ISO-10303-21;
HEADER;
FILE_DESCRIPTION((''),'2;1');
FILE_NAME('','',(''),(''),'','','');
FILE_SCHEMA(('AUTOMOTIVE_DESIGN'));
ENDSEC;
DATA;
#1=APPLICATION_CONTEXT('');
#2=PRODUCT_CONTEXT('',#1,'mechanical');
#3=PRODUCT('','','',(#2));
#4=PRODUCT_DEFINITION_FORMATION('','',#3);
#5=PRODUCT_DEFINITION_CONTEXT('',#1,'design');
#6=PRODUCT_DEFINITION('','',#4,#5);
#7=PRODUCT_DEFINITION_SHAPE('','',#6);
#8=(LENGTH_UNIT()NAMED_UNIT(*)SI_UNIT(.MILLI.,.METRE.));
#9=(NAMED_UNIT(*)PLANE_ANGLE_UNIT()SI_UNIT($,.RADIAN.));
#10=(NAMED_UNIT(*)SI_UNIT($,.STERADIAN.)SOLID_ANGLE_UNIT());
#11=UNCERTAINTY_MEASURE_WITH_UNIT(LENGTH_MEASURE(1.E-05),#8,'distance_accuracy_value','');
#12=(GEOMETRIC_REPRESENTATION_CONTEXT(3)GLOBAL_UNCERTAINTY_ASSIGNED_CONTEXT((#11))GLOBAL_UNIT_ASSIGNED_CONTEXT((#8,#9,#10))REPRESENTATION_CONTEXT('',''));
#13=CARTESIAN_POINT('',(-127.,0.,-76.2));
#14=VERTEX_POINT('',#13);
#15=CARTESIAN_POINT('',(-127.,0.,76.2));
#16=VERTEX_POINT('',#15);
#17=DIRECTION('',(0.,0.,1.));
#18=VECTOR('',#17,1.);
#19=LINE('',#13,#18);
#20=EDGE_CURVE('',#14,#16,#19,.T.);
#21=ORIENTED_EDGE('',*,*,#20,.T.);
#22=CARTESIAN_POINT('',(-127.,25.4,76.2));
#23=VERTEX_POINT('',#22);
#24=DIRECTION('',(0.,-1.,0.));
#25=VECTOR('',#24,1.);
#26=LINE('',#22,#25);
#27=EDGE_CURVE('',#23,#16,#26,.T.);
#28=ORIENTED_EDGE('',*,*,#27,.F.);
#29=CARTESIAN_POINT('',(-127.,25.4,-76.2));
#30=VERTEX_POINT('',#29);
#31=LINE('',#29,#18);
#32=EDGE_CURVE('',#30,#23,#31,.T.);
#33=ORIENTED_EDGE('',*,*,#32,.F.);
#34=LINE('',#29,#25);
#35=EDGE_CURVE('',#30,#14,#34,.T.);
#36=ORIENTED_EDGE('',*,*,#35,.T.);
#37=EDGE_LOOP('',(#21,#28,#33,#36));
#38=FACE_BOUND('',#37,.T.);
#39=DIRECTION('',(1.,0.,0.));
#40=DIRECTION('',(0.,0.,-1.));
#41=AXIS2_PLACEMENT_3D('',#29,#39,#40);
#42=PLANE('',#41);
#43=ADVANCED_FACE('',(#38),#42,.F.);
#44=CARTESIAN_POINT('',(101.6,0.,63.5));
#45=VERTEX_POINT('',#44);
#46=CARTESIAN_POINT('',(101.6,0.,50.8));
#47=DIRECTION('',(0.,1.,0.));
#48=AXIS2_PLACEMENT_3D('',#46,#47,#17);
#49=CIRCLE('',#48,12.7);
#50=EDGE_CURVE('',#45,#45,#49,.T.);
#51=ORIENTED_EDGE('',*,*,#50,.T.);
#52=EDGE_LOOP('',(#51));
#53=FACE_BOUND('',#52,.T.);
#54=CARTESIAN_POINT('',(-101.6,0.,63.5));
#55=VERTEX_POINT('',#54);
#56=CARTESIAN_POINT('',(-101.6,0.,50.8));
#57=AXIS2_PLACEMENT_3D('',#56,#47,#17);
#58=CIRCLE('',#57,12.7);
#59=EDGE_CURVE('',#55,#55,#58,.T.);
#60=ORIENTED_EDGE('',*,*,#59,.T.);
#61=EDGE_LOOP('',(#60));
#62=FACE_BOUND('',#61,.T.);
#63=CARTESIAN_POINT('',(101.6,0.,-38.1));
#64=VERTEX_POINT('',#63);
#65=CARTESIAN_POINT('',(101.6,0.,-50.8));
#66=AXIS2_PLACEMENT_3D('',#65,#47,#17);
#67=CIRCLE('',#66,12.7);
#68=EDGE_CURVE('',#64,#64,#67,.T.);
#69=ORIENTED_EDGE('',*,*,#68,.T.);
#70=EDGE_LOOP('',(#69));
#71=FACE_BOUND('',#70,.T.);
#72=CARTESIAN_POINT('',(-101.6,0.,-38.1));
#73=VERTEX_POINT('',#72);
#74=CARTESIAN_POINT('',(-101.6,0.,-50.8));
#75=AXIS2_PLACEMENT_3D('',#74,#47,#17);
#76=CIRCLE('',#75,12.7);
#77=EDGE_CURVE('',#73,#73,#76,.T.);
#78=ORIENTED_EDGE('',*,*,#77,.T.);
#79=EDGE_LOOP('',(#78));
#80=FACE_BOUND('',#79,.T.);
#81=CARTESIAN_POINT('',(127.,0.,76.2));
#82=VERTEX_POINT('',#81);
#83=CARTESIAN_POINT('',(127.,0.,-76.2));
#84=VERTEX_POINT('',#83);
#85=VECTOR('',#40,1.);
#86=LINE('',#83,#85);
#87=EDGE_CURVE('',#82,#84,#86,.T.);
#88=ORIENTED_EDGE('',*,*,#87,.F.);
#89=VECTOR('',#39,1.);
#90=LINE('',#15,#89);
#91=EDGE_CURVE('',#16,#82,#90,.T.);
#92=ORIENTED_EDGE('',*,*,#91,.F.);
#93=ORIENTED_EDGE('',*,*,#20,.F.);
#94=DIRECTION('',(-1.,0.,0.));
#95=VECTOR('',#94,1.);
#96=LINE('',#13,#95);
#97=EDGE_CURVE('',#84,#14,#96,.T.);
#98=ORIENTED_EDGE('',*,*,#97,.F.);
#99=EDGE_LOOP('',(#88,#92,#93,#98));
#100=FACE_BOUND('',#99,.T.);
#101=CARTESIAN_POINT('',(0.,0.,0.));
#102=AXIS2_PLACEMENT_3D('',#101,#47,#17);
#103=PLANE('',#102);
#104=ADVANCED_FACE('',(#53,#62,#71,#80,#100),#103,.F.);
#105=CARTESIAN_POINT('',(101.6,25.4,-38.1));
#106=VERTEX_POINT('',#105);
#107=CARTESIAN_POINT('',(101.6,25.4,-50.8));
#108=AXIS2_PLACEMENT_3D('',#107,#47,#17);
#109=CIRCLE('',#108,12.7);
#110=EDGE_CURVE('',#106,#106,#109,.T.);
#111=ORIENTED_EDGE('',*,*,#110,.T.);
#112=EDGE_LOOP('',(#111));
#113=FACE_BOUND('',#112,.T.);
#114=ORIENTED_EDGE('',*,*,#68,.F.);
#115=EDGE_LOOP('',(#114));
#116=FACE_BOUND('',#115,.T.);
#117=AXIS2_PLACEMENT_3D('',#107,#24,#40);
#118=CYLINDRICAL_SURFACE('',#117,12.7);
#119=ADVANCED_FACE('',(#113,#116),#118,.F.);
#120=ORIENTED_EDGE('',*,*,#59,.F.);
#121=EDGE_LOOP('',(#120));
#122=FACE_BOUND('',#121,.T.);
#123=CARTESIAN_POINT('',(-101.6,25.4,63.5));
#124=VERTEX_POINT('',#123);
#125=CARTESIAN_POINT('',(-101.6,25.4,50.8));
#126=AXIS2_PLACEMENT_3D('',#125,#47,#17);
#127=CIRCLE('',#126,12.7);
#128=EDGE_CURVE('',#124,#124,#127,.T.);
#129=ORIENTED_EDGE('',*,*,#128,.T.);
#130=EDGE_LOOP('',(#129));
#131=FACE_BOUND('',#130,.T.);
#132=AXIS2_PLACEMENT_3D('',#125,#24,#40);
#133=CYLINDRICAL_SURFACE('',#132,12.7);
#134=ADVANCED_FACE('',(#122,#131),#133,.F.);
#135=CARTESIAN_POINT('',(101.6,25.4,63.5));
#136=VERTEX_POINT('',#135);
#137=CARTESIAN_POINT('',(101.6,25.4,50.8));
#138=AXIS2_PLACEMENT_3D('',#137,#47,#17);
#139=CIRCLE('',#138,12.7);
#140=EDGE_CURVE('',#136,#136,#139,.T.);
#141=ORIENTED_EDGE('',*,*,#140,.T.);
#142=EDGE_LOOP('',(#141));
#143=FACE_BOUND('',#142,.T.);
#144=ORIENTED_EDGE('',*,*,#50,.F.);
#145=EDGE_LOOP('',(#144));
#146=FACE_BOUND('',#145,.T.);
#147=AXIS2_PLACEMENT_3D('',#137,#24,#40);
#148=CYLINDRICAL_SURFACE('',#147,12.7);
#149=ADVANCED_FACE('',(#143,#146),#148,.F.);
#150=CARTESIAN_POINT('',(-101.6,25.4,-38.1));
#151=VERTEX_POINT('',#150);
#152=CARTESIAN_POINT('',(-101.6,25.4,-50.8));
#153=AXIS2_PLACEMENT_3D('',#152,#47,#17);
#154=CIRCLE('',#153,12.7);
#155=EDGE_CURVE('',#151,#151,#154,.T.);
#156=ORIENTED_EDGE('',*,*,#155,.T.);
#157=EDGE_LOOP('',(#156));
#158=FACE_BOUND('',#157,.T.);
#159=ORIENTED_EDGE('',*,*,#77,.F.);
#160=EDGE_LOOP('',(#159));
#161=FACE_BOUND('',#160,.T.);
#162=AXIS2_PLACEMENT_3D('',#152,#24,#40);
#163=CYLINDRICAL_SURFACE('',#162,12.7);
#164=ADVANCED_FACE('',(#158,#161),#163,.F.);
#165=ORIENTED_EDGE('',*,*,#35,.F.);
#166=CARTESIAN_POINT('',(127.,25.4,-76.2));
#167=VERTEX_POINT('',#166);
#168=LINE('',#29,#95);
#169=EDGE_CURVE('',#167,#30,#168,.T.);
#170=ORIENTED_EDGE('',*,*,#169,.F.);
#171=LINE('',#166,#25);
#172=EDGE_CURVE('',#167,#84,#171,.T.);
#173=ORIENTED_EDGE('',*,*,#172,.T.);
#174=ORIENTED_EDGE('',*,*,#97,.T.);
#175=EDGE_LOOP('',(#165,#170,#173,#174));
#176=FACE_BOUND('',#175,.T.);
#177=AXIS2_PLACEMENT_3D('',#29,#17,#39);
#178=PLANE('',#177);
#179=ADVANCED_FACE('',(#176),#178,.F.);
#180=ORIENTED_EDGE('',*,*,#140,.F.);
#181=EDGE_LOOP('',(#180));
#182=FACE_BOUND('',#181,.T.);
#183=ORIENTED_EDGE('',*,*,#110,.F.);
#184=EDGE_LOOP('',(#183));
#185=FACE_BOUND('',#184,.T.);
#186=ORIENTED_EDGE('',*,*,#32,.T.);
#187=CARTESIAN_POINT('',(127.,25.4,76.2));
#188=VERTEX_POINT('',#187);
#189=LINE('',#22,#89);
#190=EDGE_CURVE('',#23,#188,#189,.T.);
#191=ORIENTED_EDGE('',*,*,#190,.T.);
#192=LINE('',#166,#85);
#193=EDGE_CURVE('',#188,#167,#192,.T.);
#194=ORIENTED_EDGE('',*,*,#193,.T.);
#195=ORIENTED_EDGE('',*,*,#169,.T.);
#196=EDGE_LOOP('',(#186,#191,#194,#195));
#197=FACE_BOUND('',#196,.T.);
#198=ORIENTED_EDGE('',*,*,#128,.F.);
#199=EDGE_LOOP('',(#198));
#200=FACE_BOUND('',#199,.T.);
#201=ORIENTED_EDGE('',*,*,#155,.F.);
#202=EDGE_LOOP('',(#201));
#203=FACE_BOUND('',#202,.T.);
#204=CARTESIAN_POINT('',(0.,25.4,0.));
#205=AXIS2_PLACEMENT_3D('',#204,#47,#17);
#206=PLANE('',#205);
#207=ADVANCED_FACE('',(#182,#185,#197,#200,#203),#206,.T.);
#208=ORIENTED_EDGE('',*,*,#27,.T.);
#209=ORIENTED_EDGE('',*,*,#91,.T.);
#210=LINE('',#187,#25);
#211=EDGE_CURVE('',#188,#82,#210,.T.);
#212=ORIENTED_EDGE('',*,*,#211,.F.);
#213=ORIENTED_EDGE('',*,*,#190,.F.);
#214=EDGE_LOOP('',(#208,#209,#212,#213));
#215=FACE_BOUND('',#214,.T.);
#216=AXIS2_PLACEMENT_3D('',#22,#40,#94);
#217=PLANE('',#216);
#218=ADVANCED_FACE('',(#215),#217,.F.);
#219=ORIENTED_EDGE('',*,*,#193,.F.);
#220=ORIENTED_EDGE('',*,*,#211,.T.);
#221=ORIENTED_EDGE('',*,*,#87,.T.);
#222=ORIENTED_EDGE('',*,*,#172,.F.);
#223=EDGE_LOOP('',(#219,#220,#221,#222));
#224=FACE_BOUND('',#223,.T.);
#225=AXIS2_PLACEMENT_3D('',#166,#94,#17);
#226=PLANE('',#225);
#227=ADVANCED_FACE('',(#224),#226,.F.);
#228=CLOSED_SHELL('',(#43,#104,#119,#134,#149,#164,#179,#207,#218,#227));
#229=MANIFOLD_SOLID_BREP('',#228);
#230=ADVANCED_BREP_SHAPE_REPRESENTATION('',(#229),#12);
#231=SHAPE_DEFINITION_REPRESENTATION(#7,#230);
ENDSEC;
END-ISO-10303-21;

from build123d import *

# Parameters (mm, degrees)
SKETCH1_W           = 254
SKETCH1_H           = 152.4
SKETCH1_R           = 12.7
BOSS_EXTRUDE1_DEPTH = 25.4


with BuildPart() as part:
    # Sketch1 → Boss-Extrude1 (new body)
    with BuildSketch(Plane(origin=(0, 0, 0), x_dir=(1, 0, 0), z_dir=(0, 1, 0))):
        Rectangle(SKETCH1_W, SKETCH1_H)
        with Locations(Location((-101.6, 50.8, 0), (0, 0, 270))):
            Circle(SKETCH1_R, mode=Mode.SUBTRACT)
        with Locations(Location((101.6, 50.8, 0), (0, 0, 270))):
            Circle(SKETCH1_R, mode=Mode.SUBTRACT)
        with Locations(Location((-101.6, -50.8, 0), (0, 0, 270))):
            Circle(SKETCH1_R, mode=Mode.SUBTRACT)
        with Locations(Location((101.6, -50.8, 0), (0, 0, 270))):
            Circle(SKETCH1_R, mode=Mode.SUBTRACT)
    extrude(amount=BOSS_EXTRUDE1_DEPTH)


solid = part.part
